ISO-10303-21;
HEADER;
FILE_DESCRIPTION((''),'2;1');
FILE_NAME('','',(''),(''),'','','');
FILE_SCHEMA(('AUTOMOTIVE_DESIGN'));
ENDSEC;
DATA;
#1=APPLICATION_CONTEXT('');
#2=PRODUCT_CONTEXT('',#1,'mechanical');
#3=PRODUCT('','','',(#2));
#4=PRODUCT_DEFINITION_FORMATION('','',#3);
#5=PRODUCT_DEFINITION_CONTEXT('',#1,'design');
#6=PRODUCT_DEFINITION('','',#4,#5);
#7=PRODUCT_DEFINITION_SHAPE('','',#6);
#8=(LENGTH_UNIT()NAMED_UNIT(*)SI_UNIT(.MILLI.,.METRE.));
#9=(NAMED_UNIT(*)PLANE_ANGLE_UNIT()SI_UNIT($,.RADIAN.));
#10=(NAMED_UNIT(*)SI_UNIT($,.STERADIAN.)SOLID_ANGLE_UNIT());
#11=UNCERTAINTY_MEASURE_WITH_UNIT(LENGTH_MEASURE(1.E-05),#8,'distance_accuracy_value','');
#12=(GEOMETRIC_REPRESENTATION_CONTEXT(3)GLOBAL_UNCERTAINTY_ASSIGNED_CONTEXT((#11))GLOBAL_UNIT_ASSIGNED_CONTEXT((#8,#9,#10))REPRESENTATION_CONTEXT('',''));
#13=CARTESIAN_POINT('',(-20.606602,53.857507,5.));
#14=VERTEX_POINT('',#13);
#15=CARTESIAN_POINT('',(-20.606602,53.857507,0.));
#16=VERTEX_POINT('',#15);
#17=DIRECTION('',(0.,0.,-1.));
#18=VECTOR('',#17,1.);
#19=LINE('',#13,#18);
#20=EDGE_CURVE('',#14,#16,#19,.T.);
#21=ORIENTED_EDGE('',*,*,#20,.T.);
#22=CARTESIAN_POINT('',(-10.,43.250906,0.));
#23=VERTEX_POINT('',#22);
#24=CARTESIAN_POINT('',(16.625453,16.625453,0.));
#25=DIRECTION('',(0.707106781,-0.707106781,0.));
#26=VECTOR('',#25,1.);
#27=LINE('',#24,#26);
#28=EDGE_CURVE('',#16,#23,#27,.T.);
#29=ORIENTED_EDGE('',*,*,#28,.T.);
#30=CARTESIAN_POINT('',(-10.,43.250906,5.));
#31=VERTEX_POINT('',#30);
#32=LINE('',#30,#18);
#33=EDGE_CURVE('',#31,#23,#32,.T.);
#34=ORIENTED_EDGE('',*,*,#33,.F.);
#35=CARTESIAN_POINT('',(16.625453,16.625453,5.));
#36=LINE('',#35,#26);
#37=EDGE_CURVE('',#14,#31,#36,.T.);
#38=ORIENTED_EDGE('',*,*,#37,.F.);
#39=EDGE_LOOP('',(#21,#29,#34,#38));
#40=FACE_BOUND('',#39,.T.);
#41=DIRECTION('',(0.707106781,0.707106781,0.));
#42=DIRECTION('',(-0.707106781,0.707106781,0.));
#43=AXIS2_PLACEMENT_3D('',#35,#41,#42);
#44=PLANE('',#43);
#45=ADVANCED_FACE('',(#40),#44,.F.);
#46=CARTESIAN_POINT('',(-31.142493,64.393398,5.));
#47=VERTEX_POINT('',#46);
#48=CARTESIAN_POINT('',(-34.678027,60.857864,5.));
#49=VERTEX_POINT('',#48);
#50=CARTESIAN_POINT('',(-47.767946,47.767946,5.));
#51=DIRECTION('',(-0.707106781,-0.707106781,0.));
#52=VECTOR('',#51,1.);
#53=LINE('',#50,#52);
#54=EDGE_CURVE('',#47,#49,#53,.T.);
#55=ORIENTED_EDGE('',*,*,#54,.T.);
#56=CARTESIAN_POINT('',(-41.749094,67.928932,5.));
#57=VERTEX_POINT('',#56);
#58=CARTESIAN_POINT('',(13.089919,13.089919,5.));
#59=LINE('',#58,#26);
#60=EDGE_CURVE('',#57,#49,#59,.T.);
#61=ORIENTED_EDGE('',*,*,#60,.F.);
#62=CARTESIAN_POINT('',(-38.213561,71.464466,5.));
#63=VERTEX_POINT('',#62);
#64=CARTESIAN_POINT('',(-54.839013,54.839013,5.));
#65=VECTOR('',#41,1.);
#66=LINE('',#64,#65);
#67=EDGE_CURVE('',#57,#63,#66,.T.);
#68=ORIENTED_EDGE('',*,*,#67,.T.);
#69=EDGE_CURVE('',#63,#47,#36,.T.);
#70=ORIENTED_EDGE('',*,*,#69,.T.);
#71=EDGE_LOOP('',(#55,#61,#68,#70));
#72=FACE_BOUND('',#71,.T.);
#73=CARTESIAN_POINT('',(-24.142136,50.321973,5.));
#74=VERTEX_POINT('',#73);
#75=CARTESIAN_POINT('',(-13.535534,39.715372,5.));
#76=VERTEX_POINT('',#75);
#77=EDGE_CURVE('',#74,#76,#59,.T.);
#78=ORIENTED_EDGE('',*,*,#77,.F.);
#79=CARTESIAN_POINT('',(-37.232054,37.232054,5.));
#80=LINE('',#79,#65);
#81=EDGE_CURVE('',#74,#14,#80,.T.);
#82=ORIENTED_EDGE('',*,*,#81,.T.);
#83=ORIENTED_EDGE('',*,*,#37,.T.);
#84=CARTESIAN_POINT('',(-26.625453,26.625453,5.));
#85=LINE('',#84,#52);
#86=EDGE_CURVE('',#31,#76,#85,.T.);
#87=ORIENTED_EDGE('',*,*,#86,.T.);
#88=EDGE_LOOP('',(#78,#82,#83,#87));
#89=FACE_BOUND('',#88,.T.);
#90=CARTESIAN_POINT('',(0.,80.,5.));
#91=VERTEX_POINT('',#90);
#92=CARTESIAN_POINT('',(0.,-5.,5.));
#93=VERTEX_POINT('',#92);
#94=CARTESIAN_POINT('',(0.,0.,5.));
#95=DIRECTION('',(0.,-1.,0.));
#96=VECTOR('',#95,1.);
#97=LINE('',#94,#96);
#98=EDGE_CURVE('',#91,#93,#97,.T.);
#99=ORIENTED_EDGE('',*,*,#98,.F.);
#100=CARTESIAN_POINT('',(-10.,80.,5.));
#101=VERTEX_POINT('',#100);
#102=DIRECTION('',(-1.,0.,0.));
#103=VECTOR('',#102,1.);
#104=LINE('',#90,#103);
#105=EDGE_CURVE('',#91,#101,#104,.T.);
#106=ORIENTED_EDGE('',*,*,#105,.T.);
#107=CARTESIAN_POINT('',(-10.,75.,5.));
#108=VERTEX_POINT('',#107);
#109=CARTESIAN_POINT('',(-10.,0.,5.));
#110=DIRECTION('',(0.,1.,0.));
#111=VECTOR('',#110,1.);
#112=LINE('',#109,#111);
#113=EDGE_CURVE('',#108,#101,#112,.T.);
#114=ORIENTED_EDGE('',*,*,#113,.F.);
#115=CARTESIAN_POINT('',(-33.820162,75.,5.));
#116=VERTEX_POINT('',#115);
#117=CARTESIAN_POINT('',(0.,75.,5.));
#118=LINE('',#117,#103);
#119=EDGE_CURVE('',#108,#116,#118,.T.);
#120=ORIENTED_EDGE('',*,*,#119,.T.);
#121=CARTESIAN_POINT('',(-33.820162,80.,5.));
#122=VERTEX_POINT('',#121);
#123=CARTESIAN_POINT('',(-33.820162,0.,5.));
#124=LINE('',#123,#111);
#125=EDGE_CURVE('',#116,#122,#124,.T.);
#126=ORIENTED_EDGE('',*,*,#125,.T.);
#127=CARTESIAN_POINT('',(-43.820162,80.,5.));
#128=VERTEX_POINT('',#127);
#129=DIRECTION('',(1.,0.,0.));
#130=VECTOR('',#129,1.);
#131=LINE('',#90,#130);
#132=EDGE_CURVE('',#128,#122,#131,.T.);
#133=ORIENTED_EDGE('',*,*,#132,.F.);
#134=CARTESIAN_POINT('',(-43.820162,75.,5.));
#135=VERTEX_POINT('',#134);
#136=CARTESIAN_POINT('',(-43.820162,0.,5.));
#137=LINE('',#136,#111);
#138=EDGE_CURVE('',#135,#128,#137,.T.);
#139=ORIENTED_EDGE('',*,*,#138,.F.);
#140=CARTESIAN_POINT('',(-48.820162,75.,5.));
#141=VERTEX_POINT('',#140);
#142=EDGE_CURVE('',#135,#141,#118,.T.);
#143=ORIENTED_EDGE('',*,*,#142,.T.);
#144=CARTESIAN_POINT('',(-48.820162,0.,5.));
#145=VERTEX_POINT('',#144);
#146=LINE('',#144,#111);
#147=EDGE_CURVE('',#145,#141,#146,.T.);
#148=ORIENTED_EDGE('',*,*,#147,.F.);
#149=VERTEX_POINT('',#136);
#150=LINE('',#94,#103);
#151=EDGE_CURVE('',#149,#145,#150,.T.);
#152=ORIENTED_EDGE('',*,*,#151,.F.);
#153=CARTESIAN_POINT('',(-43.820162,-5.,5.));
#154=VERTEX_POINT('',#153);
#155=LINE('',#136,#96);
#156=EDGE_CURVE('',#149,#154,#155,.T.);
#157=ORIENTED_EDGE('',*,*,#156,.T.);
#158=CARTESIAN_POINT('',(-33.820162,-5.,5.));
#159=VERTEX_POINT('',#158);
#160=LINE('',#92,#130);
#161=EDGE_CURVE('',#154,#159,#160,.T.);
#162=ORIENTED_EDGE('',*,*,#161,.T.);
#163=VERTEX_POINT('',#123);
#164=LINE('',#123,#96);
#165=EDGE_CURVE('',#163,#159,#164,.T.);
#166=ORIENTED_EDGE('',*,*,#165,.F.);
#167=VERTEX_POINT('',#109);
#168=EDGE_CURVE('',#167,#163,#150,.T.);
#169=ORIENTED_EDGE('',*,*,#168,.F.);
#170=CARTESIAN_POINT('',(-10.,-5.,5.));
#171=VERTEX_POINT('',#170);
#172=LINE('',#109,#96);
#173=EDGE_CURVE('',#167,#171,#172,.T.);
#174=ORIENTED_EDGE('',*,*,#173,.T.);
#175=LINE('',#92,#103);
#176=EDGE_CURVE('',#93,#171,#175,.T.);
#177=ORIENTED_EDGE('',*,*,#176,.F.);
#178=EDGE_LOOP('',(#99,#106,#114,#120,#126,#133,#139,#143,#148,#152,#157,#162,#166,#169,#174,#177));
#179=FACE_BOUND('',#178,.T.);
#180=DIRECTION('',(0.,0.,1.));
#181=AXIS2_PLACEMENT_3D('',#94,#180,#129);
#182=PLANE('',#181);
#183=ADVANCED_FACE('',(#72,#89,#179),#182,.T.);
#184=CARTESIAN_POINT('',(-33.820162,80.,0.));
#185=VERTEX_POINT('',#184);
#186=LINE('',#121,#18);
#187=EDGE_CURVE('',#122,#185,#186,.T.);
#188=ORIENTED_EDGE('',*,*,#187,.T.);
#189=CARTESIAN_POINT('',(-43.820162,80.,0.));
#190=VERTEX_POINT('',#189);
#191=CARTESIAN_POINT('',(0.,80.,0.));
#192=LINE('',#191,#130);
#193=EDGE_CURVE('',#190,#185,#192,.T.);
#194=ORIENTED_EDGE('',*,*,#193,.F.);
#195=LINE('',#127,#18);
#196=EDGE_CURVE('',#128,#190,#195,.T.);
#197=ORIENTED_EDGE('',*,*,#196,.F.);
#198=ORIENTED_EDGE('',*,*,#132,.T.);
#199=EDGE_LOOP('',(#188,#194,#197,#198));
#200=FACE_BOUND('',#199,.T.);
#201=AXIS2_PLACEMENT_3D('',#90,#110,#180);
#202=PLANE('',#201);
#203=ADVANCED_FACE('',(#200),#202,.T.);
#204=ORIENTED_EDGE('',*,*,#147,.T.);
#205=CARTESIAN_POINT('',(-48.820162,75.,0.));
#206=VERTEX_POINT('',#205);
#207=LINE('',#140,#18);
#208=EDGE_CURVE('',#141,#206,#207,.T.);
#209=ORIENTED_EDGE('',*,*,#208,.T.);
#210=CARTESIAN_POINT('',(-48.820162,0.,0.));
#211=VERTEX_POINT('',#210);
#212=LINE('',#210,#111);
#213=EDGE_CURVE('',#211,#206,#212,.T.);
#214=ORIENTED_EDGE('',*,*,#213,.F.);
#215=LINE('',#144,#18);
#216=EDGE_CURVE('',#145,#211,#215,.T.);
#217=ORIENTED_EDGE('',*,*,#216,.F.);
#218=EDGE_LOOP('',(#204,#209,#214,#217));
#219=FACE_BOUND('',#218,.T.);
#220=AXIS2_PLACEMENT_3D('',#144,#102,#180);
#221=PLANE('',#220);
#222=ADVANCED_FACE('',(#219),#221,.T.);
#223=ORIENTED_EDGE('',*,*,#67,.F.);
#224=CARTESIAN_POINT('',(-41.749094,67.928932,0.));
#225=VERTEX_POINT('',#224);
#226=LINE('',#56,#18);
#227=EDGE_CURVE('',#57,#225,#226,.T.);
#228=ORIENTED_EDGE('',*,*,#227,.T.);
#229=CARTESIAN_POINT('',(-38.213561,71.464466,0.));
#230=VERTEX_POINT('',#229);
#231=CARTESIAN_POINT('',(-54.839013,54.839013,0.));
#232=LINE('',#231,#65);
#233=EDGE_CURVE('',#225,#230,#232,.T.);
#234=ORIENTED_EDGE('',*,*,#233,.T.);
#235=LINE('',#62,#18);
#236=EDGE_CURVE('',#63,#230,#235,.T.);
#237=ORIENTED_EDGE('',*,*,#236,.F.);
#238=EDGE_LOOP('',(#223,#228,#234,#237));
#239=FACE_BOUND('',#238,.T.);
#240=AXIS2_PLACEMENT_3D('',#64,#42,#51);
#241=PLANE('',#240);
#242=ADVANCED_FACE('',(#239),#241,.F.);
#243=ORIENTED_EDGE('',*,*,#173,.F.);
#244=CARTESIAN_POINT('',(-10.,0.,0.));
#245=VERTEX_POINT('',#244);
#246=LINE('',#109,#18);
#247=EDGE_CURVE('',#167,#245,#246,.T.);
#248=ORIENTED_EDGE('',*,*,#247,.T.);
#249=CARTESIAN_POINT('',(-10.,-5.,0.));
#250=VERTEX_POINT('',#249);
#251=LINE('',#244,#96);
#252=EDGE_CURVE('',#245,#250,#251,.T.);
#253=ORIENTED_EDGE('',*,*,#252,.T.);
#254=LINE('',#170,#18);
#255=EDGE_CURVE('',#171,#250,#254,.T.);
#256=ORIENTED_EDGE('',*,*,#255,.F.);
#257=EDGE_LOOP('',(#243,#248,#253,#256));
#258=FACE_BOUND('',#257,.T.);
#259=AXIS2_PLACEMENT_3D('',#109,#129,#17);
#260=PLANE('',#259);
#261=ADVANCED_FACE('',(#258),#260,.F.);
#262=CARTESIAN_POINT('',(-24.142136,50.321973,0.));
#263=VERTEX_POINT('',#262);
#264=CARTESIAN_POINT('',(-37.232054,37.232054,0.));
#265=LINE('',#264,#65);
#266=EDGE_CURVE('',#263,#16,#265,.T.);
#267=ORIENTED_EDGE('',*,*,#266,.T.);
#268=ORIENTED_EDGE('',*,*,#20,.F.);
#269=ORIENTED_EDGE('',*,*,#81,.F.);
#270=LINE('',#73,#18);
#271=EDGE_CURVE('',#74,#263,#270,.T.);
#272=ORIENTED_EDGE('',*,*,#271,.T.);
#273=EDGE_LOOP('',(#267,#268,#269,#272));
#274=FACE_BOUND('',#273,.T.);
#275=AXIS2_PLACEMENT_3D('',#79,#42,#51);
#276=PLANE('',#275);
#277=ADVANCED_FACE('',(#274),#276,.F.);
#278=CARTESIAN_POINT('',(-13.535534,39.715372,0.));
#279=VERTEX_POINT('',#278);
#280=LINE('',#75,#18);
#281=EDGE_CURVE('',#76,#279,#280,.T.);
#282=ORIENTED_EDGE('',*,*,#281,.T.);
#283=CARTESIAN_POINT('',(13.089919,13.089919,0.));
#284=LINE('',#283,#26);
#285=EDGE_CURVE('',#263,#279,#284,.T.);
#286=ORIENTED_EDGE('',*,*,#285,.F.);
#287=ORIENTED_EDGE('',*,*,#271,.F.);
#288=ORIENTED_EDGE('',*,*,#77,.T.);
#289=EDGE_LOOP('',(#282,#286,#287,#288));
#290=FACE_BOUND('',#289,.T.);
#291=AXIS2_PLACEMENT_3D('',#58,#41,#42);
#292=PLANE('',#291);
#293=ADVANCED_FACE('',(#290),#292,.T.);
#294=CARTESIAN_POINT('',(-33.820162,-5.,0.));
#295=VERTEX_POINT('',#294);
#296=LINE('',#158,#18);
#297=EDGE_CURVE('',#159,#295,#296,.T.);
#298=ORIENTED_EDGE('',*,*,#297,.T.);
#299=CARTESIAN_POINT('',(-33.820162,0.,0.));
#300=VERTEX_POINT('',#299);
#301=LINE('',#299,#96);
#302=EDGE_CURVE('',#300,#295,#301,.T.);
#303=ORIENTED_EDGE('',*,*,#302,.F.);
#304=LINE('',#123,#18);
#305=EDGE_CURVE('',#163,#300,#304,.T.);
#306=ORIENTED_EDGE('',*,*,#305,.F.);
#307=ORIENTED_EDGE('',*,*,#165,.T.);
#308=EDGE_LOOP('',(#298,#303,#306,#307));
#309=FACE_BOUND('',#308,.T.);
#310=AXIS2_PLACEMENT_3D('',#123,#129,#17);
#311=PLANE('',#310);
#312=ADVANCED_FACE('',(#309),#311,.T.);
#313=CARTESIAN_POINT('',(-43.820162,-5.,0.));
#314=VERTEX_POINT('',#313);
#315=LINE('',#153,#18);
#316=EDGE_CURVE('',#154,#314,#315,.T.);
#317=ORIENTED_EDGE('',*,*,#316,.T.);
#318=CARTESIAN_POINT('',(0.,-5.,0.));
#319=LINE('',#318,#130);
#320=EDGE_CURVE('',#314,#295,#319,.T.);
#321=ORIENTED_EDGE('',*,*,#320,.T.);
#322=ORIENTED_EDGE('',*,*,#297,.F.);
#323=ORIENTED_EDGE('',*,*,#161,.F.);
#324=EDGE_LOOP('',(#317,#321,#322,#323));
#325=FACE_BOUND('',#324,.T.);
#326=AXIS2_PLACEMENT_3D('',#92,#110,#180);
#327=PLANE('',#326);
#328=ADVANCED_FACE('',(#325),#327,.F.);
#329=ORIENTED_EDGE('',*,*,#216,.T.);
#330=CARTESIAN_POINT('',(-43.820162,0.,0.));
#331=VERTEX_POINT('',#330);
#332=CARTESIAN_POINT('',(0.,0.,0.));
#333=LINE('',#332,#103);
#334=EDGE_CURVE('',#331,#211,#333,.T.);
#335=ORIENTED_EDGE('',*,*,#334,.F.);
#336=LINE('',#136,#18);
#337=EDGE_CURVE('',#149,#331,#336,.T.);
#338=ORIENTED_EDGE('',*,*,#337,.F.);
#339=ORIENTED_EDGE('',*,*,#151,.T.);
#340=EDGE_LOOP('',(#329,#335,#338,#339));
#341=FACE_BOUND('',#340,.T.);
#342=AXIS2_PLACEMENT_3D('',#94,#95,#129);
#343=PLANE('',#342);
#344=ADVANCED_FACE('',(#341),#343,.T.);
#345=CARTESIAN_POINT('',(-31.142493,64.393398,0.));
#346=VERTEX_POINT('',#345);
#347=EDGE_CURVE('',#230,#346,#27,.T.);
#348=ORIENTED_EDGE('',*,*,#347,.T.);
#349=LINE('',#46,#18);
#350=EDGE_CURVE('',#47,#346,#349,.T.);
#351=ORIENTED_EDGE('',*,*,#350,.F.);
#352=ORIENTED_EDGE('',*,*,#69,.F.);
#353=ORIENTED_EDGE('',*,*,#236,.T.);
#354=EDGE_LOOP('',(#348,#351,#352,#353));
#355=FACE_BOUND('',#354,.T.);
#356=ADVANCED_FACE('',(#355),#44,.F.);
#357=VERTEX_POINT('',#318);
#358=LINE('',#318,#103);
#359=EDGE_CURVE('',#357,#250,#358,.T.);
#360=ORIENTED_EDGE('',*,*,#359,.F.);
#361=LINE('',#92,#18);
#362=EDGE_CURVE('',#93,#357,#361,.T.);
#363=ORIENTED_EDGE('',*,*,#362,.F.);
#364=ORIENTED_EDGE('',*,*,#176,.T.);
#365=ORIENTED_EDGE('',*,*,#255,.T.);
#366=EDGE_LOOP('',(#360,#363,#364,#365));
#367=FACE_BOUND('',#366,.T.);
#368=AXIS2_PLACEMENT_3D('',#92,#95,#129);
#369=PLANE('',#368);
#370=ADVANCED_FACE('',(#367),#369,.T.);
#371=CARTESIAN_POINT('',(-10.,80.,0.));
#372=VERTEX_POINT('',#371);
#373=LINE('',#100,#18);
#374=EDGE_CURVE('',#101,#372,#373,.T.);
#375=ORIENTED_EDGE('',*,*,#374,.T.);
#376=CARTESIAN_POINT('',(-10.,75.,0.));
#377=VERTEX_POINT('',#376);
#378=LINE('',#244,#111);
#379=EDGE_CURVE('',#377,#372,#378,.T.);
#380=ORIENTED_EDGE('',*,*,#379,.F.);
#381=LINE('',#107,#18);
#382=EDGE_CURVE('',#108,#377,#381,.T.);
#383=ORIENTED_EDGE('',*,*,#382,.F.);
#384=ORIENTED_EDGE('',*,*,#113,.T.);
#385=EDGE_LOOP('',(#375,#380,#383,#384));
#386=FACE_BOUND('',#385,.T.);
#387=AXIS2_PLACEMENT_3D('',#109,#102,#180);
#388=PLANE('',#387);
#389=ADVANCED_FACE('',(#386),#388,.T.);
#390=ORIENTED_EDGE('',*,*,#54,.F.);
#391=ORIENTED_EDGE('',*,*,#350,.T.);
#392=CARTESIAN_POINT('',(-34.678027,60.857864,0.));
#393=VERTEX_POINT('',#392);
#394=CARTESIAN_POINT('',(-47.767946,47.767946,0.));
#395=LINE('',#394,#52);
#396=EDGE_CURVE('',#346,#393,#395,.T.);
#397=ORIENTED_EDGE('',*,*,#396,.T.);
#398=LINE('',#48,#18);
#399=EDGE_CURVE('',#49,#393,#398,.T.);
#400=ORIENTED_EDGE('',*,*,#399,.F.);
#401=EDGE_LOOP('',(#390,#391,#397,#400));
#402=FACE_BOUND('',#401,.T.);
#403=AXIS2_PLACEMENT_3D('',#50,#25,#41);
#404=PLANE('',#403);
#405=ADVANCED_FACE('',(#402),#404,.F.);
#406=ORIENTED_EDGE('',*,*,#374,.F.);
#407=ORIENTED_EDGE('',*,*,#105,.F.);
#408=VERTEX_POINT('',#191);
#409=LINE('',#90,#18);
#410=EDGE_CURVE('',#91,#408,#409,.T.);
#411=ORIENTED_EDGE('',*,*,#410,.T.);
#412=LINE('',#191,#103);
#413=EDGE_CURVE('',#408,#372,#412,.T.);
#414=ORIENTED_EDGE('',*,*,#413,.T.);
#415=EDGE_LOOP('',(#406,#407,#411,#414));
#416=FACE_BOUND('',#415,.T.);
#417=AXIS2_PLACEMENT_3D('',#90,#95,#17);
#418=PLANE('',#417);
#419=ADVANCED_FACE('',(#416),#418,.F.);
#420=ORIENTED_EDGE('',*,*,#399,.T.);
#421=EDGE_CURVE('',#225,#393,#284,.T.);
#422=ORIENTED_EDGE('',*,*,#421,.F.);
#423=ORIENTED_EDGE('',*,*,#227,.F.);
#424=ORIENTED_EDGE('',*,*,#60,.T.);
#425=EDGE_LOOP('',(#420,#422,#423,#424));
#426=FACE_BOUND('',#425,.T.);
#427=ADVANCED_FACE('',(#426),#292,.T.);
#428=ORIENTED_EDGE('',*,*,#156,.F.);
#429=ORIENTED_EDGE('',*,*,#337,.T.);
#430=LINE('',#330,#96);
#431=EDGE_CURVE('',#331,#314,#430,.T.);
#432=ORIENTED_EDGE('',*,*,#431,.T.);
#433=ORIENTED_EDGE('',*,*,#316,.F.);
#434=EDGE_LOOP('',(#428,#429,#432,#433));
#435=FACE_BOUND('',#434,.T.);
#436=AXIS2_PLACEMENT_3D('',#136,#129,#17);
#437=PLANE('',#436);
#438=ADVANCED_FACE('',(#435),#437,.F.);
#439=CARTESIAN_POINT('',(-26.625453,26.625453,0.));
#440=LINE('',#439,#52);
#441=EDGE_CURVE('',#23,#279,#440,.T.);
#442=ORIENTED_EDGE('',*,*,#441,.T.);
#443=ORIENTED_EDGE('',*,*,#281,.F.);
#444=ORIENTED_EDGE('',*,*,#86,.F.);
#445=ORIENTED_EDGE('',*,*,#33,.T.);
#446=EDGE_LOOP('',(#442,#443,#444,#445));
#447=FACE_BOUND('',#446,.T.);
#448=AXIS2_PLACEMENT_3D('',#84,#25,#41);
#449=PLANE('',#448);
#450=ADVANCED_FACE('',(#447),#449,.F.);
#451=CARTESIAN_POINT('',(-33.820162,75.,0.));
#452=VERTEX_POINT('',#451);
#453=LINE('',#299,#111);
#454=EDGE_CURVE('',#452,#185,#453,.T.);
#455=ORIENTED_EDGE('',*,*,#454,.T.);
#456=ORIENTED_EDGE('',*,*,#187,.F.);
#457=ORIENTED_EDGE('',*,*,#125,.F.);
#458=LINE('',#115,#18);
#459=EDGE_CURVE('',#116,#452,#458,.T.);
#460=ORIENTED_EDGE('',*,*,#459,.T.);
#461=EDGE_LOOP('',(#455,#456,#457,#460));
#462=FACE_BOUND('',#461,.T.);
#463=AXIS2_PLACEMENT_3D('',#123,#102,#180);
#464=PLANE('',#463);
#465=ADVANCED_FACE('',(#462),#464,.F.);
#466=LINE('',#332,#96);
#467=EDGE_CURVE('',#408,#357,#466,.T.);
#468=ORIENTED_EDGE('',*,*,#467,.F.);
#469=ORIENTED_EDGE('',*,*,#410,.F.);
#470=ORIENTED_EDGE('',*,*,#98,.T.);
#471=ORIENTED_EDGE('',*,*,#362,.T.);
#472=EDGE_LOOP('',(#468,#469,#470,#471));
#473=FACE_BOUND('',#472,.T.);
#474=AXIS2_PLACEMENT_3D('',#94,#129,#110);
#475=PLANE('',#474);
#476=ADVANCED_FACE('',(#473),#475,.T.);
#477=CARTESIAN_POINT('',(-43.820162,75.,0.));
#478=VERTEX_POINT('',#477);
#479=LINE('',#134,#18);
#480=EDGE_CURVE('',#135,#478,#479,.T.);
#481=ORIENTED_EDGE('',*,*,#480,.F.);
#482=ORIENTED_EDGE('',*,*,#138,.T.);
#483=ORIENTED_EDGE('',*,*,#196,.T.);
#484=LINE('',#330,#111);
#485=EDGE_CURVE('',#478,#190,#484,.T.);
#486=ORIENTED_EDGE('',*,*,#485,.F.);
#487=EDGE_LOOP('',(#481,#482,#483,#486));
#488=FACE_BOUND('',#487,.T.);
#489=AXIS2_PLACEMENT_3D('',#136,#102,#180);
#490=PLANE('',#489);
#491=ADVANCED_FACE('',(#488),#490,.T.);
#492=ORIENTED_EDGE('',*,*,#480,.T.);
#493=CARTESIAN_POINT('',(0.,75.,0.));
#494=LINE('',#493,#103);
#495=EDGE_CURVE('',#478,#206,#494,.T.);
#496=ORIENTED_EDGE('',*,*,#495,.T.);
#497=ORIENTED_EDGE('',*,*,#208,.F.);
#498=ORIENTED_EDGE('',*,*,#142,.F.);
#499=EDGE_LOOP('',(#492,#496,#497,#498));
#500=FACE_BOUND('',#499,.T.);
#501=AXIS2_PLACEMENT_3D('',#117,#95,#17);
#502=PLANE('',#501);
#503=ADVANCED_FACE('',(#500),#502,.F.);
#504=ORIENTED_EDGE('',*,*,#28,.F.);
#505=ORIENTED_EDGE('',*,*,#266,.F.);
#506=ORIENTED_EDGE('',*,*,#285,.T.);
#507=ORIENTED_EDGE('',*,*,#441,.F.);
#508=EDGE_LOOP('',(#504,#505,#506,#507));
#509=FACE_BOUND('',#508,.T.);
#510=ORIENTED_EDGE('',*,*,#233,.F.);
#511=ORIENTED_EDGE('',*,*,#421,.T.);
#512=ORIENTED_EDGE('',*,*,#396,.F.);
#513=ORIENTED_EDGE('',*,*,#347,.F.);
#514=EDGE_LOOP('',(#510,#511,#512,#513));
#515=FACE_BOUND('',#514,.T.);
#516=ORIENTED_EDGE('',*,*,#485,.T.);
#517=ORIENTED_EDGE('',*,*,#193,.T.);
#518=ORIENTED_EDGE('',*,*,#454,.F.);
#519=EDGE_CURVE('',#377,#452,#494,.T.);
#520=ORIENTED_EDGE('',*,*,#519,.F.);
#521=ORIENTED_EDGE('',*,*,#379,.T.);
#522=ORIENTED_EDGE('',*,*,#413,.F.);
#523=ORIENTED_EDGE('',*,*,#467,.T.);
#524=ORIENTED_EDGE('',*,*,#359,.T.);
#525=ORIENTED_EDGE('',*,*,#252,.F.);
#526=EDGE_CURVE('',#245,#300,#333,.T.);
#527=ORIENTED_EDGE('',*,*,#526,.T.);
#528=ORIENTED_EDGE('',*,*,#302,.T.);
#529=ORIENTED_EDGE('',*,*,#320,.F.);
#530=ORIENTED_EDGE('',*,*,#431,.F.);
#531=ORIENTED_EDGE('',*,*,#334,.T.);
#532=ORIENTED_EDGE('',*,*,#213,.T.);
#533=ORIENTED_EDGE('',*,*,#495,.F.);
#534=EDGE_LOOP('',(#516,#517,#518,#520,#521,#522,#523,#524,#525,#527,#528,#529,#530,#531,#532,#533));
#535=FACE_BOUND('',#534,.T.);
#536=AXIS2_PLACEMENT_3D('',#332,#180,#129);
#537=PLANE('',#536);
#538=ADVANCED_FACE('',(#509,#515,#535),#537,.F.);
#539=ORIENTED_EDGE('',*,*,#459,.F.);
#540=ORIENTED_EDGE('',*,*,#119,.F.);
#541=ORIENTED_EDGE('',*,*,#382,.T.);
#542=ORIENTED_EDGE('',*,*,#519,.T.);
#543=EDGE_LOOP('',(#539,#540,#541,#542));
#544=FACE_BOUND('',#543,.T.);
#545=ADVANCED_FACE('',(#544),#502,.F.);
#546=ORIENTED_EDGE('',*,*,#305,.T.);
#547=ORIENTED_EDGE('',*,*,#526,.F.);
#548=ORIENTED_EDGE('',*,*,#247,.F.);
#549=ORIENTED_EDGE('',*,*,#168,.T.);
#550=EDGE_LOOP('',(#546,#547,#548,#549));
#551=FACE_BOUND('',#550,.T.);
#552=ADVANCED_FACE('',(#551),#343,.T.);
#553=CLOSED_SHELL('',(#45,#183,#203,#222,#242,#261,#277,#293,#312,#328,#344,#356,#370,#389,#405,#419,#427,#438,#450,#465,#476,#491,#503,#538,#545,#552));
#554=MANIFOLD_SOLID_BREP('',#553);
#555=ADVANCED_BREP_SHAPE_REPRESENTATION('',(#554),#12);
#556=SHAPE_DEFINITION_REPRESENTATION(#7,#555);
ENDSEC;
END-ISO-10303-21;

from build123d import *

# Parameters (mm, degrees)
BOSS_EXTRU_1_DEPTH = 5


with BuildPart() as part:
    # Esquisse1 → Boss.-Extru.1 (new body)
    with BuildSketch(Plane.XY):
        Polygon((-41.749094475, 67.928932188), (-48.820162287, 75), (-48.820162287, 0), (-43.820162287, 0), (-43.820162287, -5), (-33.820162287, -5), (-33.820162287, 0), (-10, 0), (-10, -5), (0, -5), (0, 0), (0, 26.179837713), (-13.535533906, 39.715371619), (-24.142135624, 50.321973337), (-34.678026663, 60.857864376), align=None)
        Polygon((-43.820162287, 75), (-48.820162287, 75), (-41.749094475, 67.928932188), (-38.213560569, 71.464466094), (-31.142492757, 64.393398282), (-34.678026663, 60.857864376), (-24.142135624, 50.321973337), (-20.606601718, 53.857507243), (-10, 43.250905525), (-13.535533906, 39.715371619), (0, 26.179837713), (0, 75), (0, 80), (-10, 80), (-10, 75), (-33.820162287, 75), (-33.820162287, 80), (-43.820162287, 80), align=None)
    extrude(amount=BOSS_EXTRU_1_DEPTH)


solid = part.part
